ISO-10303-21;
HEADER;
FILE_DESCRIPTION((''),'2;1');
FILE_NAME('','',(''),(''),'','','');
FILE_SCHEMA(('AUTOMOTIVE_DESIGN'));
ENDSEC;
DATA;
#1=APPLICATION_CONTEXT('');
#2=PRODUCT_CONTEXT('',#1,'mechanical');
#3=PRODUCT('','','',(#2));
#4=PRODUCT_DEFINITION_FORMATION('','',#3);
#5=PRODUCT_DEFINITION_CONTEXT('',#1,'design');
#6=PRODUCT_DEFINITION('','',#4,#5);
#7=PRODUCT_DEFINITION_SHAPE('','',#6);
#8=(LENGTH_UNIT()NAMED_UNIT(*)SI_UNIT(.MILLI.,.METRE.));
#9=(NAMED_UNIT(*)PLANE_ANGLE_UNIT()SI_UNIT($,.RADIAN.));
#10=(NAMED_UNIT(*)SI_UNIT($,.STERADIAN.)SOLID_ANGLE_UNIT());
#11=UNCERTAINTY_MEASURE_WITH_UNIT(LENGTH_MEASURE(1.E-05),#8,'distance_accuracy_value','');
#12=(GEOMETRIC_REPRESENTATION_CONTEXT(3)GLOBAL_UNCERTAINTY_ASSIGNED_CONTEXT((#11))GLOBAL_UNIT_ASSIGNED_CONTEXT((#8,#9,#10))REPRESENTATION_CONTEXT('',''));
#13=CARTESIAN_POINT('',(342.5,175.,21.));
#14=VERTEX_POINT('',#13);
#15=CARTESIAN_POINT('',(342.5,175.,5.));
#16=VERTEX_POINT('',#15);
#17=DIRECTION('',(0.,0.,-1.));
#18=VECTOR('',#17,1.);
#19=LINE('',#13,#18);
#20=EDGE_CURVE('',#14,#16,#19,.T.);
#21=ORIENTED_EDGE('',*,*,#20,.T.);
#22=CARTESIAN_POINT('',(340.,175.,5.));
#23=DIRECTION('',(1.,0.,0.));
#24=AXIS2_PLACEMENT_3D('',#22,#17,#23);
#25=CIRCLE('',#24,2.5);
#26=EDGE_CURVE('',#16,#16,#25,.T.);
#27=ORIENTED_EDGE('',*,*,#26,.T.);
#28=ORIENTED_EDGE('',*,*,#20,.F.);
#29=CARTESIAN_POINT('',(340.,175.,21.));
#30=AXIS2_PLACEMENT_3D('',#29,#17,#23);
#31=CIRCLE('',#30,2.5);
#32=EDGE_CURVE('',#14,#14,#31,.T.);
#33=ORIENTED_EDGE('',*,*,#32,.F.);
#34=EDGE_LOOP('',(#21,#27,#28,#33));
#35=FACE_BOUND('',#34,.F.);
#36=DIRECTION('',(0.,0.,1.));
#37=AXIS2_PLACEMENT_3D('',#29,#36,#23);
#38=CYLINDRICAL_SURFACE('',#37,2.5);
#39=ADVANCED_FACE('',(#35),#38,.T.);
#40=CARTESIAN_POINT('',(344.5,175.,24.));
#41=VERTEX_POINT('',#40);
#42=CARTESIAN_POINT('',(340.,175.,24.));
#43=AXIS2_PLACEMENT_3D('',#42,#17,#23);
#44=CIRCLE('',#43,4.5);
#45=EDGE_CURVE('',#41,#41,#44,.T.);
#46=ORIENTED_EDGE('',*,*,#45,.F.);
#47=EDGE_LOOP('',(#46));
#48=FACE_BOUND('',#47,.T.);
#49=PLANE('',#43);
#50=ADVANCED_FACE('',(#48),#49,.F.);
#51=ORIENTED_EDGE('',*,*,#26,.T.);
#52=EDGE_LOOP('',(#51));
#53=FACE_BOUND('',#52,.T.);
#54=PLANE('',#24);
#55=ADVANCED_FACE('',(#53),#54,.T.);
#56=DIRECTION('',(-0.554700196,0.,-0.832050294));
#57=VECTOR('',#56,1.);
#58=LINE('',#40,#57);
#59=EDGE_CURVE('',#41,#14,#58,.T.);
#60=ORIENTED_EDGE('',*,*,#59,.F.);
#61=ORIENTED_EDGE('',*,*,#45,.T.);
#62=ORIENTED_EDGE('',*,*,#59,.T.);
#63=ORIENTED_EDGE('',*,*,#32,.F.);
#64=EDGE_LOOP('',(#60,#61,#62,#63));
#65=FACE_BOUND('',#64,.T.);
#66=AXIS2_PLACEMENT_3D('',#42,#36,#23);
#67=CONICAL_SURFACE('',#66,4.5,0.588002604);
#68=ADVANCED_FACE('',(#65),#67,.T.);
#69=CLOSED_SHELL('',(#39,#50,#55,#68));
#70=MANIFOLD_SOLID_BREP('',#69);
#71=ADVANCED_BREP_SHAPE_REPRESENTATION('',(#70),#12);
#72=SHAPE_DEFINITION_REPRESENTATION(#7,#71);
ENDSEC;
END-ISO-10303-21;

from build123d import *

# Parameters (mm, degrees)
CYLINDER011_R                   = 2.5
CYLINDER011_DEPTH               = 16
FUSION001018017_PLACEMENT_ANGLE = 180
CLONE019_PLACEMENT_ANGLE        = 180


with BuildPart() as cone003:
    # Cone003 → Cone003 (revolve)
    with BuildSketch(Plane(origin=(0, 0, -3), x_dir=(1, 0, 0), z_dir=(0, -1, 0))):
        Polygon((0, 0), (4.5, 0), (2.5, 3), (0, 3), align=None)
    revolve(axis=Axis((0, 0, -3), (0, 0, 1)))


with BuildPart() as m5x16_senkkopf013:
    # Cylinder011 → Cylinder011 (new body)
    with BuildSketch(Plane.XY):
        Circle(CYLINDER011_R)
    extrude(amount=CYLINDER011_DEPTH)

    # Fusion001018017: union Cone003
    add(cone003.part)


with BuildPart() as m5x16_senkkopf013_1:
    # Fusion001018017 placement: moved
    add(m5x16_senkkopf013.part.moved(Location((45, 15, 21))).rotate(Axis((45, 15, 21), (0, 1, 0)), FUSION001018017_PLACEMENT_ANGLE))


with BuildPart() as m5x16_senkkopf013_2:
    # Clone019 placement: moved
    add(m5x16_senkkopf013_1.part.moved(Location((115, 190, 0))).rotate(Axis((115, 190, 0), (0, 0, 1)), CLONE019_PLACEMENT_ANGLE))


with BuildPart() as m5x16_senkkopf013_3:
    # Clone029 placement: moved
    add(m5x16_senkkopf013_2.part.moved(Location((270, 0, 0))))


solid = m5x16_senkkopf013_3.part
